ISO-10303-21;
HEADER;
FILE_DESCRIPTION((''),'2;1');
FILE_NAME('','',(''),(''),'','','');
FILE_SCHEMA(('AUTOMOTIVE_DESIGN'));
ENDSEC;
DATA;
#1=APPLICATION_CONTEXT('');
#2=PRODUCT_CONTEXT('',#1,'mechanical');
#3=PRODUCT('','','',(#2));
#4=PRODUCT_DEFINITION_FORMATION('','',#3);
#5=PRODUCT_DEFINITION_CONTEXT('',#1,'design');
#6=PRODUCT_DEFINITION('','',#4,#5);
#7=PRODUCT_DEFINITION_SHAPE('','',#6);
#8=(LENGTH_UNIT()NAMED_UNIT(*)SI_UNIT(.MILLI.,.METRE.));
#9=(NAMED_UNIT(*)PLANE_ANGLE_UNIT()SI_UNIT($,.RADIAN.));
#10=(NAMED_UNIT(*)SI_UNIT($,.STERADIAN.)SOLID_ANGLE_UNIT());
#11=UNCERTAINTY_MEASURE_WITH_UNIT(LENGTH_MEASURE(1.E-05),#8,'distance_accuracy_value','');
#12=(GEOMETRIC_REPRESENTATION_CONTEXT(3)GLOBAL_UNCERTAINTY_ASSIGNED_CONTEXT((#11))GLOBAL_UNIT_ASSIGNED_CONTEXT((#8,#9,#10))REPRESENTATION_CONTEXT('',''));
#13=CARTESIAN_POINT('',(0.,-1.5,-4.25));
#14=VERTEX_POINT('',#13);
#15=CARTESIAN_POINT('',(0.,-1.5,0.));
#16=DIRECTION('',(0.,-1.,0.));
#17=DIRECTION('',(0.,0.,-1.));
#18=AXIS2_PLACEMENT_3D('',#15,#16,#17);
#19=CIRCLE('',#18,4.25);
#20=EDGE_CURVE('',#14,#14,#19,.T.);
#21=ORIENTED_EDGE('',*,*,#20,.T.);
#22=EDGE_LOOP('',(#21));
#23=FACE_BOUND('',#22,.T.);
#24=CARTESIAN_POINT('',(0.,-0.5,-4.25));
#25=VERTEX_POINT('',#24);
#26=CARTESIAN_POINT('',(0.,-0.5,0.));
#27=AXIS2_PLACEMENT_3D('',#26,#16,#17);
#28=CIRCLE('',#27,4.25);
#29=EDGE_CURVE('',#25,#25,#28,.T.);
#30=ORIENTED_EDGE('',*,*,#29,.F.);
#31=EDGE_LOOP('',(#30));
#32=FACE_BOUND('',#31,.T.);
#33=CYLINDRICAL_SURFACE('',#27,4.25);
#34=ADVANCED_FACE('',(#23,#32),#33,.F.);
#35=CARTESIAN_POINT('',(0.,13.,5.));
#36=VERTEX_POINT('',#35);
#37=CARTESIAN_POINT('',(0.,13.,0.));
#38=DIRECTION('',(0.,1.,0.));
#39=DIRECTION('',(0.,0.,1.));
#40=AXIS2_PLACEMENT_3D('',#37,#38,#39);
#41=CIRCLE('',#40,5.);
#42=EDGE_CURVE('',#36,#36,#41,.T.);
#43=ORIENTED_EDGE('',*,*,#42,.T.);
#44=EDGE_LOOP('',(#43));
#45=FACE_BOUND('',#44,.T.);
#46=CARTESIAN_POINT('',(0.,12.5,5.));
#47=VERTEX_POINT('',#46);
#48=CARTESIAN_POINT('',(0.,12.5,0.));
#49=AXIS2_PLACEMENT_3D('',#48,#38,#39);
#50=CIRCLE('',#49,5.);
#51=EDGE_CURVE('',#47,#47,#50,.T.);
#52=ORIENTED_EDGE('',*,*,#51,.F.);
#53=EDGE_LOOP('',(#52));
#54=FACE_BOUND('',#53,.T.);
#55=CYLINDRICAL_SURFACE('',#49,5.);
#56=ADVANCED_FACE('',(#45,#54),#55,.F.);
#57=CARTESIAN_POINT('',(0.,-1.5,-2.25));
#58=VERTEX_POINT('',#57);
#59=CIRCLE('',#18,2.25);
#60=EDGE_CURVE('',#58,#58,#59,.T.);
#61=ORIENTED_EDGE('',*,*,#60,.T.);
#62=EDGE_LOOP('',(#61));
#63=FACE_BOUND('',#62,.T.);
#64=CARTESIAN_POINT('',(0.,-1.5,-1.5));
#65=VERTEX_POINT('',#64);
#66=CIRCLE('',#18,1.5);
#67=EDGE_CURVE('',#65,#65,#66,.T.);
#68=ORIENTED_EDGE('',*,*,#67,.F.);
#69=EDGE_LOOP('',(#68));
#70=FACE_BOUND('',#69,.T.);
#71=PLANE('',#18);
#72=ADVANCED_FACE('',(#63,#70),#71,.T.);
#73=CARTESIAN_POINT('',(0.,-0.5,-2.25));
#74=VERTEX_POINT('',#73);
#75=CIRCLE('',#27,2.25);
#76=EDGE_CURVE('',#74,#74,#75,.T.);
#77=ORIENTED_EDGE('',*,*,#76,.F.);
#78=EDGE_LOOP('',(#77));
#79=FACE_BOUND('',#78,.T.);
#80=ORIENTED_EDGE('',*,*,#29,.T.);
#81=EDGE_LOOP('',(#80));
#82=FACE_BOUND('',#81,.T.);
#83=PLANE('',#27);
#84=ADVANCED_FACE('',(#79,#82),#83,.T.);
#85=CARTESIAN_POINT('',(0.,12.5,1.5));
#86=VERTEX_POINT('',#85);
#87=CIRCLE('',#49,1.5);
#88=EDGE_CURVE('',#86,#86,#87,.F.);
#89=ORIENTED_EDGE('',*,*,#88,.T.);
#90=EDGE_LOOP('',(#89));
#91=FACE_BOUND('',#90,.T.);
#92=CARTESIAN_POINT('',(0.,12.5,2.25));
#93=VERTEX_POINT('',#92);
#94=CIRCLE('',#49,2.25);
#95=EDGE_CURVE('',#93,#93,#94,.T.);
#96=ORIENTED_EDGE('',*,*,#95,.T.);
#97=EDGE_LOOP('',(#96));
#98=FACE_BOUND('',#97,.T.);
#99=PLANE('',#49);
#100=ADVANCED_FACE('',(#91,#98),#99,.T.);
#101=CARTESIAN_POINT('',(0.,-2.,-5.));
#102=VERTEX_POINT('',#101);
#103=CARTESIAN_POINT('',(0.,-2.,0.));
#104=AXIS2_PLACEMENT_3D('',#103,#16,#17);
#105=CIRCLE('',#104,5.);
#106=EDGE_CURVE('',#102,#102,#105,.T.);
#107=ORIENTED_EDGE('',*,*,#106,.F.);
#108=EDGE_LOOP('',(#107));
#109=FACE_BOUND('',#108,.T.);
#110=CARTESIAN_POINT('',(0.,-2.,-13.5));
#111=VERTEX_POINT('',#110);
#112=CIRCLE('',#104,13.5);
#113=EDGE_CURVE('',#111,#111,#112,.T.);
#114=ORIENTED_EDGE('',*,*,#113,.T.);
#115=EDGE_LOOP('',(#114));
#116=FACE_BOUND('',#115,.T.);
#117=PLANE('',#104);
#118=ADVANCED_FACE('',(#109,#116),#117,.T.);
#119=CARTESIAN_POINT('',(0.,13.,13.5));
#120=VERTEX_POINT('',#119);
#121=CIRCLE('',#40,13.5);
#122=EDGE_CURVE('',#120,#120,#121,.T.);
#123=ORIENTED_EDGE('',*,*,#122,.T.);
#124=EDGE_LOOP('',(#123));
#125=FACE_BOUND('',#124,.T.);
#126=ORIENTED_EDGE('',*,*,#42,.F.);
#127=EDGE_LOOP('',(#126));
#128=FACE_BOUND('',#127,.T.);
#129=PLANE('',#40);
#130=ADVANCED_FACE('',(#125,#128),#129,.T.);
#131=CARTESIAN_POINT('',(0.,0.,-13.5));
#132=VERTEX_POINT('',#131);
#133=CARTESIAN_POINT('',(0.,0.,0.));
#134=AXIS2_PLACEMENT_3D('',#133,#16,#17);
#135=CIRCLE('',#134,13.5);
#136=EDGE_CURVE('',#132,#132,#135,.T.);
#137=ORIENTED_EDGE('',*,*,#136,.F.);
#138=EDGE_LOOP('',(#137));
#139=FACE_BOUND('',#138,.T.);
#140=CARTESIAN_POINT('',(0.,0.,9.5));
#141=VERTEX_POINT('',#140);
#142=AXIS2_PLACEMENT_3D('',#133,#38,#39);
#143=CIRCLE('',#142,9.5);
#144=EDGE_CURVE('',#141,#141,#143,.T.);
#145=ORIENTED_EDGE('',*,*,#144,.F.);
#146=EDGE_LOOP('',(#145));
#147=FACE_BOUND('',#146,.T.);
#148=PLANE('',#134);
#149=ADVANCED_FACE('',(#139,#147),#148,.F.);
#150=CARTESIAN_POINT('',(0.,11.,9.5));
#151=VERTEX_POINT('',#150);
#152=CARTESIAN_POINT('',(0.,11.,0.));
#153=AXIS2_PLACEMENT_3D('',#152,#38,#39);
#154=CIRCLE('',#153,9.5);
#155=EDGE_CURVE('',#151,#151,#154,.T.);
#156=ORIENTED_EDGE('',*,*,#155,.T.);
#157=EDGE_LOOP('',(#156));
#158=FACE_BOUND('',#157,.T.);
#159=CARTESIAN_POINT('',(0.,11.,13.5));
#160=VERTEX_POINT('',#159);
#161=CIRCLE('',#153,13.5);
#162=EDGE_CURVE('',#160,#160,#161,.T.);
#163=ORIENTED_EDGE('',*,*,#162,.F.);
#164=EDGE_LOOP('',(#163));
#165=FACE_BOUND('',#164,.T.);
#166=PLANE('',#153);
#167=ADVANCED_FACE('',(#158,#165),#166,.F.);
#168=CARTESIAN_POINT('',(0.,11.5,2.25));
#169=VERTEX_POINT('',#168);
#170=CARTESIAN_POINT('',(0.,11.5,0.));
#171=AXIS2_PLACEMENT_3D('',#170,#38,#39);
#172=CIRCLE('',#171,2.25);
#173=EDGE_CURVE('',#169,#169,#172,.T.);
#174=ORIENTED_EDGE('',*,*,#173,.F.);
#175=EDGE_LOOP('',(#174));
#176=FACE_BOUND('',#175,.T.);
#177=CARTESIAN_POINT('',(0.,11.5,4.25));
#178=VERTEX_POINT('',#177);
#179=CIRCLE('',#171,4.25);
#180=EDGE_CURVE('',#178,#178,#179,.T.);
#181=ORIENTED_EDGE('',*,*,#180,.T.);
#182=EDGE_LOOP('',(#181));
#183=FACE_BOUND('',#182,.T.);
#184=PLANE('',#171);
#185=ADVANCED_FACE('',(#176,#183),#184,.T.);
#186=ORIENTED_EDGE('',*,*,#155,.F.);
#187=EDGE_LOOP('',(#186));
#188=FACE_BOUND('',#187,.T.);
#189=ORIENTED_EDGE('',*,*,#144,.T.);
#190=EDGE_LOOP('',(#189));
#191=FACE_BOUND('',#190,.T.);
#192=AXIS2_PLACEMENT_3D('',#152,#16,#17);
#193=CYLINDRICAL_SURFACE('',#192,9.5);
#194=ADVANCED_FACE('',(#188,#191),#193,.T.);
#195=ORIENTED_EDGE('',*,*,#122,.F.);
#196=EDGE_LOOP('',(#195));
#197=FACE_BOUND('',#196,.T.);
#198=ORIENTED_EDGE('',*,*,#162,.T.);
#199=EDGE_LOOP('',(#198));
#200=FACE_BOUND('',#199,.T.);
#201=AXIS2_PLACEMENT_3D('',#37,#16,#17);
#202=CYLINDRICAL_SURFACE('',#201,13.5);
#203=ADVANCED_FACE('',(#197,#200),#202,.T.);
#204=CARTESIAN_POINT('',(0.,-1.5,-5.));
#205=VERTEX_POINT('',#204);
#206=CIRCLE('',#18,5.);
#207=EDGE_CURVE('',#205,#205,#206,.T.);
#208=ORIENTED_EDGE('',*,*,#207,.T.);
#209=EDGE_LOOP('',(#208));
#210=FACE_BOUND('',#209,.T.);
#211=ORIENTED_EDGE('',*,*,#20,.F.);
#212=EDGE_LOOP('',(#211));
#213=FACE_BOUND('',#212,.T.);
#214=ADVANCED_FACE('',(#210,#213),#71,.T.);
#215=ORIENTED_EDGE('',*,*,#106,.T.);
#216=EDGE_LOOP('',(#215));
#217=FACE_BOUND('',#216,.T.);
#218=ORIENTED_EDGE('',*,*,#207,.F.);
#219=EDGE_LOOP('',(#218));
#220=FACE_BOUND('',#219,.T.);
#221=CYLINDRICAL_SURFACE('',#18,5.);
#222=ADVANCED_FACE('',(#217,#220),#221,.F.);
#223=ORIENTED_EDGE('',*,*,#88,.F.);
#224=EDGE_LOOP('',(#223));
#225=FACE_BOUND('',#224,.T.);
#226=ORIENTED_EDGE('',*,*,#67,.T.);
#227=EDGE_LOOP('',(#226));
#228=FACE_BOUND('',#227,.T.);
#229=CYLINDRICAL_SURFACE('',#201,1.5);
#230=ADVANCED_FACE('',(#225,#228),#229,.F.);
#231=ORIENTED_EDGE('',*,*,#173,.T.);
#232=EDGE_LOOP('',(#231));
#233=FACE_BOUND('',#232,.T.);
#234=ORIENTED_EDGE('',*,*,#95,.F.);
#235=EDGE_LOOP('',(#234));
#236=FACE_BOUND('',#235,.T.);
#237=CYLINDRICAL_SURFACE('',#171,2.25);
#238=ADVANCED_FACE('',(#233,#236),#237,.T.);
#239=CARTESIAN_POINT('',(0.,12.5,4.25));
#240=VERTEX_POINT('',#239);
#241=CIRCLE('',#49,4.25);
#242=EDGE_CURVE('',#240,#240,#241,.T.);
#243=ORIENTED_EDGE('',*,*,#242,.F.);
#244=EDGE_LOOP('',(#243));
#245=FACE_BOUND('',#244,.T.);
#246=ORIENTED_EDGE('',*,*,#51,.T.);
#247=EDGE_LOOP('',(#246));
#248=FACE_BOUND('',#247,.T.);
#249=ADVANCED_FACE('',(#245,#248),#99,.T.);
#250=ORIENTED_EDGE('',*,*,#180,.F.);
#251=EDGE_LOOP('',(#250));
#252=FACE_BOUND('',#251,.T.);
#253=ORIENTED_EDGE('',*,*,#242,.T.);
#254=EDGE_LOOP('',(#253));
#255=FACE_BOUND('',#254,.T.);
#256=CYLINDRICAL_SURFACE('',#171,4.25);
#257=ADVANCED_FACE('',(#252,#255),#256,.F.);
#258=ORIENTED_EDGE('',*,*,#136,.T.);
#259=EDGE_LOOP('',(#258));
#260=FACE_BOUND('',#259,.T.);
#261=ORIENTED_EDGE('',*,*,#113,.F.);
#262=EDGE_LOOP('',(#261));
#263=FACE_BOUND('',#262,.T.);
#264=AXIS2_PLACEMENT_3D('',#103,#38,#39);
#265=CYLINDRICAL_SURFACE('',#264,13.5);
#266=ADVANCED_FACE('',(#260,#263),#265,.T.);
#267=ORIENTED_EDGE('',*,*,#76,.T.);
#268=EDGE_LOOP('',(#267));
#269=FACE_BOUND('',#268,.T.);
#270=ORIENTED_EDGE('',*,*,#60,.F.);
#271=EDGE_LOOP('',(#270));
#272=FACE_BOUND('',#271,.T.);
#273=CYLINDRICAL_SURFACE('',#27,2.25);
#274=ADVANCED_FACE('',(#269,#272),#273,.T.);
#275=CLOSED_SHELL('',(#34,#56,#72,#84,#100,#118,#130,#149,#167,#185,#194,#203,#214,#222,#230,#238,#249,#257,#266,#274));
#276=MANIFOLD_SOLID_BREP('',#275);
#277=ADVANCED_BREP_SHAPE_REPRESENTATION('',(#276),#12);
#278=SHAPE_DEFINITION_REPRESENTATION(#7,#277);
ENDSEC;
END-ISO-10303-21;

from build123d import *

# Parameters (mm, degrees)
SKETCH_1_R          = 9.5
EXTRUDE_1_DEPTH     = 11
SKETCH_2_R          = 13.5
EXTRUDE_2_DEPTH     = 2
EXTRUDE_START       = 2
SKETCH_3_R          = 13.5
EXTRUDE_3_DEPTH     = 2
SKETCH_4_R          = 5
SKETCH_4_R_2        = 4.25
CUT_EXTRUDE_1_DEPTH = 0.5
SKETCH_4_3_R        = 4.25
SKETCH_4_3_R_2      = 2.25
CUT_EXTRUDE_2_DEPTH = 1.5
SKETCH_4_4_R        = 2.25
SKETCH_4_4_R_2      = 1.5
CUT_EXTRUDE_3_DEPTH = 0.5
SKETCH_4_5_R        = 1.5
CUT_EXTRUDE_4_DEPTH = 25.279621084
CUT_EXTRUDE_START   = -0.5
SKETCH_6_R          = 5
SKETCH_6_R_2        = 4.25
CUT_EXTRUDE_5_DEPTH = 0.5
CUT_EXTRUDE_START_2 = -1.5
SKETCH_6_3_R        = 4.25
SKETCH_6_3_R_2      = 2.25
CUT_EXTRUDE_6_DEPTH = 1.5
SKETCH_6_4_R        = 2.25
SKETCH_6_4_R_2      = 1.5
CUT_EXTRUDE_7_DEPTH = 0.5


with BuildPart() as part:
    # 草图1 → 凸台-拉伸1 (new body)
    with BuildSketch(Plane(origin=(0, 0, 0), x_dir=(1, 0, 0), z_dir=(0, 1, 0))):
        Circle(SKETCH_1_R)
    extrude(amount=EXTRUDE_1_DEPTH)

    # 草图2 → 凸台-拉伸2 (add)
    with BuildSketch(Plane(origin=(0, 11, 0), x_dir=(1, 0, 0), z_dir=(0, 1, 0))):
        Circle(SKETCH_2_R)
    extrude(amount=EXTRUDE_2_DEPTH)

    # 草图3 → 凸台-拉伸3 (add)
    with BuildSketch(Plane.XZ.offset(EXTRUDE_START)):
        Circle(SKETCH_3_R)
    extrude(amount=-EXTRUDE_3_DEPTH)

    # 草图4 → 切除-拉伸1 (cut)
    with BuildSketch(Plane.XZ.offset(2)):
        Circle(SKETCH_4_R)
        Circle(SKETCH_4_R_2, mode=Mode.SUBTRACT)
    extrude(amount=-CUT_EXTRUDE_1_DEPTH, mode=Mode.SUBTRACT)

    # 草图4<3> → 切除-拉伸2 (cut)
    with BuildSketch(Plane.XZ.offset(2)):
        Circle(SKETCH_4_3_R)
        Circle(SKETCH_4_3_R_2, mode=Mode.SUBTRACT)
    extrude(amount=-CUT_EXTRUDE_2_DEPTH, mode=Mode.SUBTRACT)

    # 草图4<4> → 切除-拉伸3 (cut)
    with BuildSketch(Plane.XZ.offset(2)):
        Circle(SKETCH_4_4_R)
        Circle(SKETCH_4_4_R_2, mode=Mode.SUBTRACT)
    extrude(amount=-CUT_EXTRUDE_3_DEPTH, mode=Mode.SUBTRACT)

    # 草图4<5> → 切除-拉伸4 (cut, through all)
    with BuildSketch(Plane.XZ.offset(2)):
        Circle(SKETCH_4_5_R)
    extrude(amount=-CUT_EXTRUDE_4_DEPTH, mode=Mode.SUBTRACT)

    # 草图6 → 切除-拉伸5 (cut)
    with BuildSketch(Plane(origin=(0, 13, 0), x_dir=(1, 0, 0), z_dir=(0, 1, 0)).offset(CUT_EXTRUDE_START)):
        Circle(SKETCH_6_R)
        Circle(SKETCH_6_R_2, mode=Mode.SUBTRACT)
    extrude(amount=CUT_EXTRUDE_5_DEPTH, mode=Mode.SUBTRACT)

    # 草图6<3> → 切除-拉伸6 (cut)
    with BuildSketch(Plane(origin=(0, 13, 0), x_dir=(1, 0, 0), z_dir=(0, 1, 0)).offset(CUT_EXTRUDE_START_2)):
        Circle(SKETCH_6_3_R)
        Circle(SKETCH_6_3_R_2, mode=Mode.SUBTRACT)
    extrude(amount=CUT_EXTRUDE_6_DEPTH, mode=Mode.SUBTRACT)

    # 草图6<4> → 切除-拉伸7 (cut)
    with BuildSketch(Plane(origin=(0, 13, 0), x_dir=(1, 0, 0), z_dir=(0, 1, 0)).offset(CUT_EXTRUDE_START)):
        Circle(SKETCH_6_4_R)
        Circle(SKETCH_6_4_R_2, mode=Mode.SUBTRACT)
    extrude(amount=CUT_EXTRUDE_7_DEPTH, mode=Mode.SUBTRACT)


solid = part.part
